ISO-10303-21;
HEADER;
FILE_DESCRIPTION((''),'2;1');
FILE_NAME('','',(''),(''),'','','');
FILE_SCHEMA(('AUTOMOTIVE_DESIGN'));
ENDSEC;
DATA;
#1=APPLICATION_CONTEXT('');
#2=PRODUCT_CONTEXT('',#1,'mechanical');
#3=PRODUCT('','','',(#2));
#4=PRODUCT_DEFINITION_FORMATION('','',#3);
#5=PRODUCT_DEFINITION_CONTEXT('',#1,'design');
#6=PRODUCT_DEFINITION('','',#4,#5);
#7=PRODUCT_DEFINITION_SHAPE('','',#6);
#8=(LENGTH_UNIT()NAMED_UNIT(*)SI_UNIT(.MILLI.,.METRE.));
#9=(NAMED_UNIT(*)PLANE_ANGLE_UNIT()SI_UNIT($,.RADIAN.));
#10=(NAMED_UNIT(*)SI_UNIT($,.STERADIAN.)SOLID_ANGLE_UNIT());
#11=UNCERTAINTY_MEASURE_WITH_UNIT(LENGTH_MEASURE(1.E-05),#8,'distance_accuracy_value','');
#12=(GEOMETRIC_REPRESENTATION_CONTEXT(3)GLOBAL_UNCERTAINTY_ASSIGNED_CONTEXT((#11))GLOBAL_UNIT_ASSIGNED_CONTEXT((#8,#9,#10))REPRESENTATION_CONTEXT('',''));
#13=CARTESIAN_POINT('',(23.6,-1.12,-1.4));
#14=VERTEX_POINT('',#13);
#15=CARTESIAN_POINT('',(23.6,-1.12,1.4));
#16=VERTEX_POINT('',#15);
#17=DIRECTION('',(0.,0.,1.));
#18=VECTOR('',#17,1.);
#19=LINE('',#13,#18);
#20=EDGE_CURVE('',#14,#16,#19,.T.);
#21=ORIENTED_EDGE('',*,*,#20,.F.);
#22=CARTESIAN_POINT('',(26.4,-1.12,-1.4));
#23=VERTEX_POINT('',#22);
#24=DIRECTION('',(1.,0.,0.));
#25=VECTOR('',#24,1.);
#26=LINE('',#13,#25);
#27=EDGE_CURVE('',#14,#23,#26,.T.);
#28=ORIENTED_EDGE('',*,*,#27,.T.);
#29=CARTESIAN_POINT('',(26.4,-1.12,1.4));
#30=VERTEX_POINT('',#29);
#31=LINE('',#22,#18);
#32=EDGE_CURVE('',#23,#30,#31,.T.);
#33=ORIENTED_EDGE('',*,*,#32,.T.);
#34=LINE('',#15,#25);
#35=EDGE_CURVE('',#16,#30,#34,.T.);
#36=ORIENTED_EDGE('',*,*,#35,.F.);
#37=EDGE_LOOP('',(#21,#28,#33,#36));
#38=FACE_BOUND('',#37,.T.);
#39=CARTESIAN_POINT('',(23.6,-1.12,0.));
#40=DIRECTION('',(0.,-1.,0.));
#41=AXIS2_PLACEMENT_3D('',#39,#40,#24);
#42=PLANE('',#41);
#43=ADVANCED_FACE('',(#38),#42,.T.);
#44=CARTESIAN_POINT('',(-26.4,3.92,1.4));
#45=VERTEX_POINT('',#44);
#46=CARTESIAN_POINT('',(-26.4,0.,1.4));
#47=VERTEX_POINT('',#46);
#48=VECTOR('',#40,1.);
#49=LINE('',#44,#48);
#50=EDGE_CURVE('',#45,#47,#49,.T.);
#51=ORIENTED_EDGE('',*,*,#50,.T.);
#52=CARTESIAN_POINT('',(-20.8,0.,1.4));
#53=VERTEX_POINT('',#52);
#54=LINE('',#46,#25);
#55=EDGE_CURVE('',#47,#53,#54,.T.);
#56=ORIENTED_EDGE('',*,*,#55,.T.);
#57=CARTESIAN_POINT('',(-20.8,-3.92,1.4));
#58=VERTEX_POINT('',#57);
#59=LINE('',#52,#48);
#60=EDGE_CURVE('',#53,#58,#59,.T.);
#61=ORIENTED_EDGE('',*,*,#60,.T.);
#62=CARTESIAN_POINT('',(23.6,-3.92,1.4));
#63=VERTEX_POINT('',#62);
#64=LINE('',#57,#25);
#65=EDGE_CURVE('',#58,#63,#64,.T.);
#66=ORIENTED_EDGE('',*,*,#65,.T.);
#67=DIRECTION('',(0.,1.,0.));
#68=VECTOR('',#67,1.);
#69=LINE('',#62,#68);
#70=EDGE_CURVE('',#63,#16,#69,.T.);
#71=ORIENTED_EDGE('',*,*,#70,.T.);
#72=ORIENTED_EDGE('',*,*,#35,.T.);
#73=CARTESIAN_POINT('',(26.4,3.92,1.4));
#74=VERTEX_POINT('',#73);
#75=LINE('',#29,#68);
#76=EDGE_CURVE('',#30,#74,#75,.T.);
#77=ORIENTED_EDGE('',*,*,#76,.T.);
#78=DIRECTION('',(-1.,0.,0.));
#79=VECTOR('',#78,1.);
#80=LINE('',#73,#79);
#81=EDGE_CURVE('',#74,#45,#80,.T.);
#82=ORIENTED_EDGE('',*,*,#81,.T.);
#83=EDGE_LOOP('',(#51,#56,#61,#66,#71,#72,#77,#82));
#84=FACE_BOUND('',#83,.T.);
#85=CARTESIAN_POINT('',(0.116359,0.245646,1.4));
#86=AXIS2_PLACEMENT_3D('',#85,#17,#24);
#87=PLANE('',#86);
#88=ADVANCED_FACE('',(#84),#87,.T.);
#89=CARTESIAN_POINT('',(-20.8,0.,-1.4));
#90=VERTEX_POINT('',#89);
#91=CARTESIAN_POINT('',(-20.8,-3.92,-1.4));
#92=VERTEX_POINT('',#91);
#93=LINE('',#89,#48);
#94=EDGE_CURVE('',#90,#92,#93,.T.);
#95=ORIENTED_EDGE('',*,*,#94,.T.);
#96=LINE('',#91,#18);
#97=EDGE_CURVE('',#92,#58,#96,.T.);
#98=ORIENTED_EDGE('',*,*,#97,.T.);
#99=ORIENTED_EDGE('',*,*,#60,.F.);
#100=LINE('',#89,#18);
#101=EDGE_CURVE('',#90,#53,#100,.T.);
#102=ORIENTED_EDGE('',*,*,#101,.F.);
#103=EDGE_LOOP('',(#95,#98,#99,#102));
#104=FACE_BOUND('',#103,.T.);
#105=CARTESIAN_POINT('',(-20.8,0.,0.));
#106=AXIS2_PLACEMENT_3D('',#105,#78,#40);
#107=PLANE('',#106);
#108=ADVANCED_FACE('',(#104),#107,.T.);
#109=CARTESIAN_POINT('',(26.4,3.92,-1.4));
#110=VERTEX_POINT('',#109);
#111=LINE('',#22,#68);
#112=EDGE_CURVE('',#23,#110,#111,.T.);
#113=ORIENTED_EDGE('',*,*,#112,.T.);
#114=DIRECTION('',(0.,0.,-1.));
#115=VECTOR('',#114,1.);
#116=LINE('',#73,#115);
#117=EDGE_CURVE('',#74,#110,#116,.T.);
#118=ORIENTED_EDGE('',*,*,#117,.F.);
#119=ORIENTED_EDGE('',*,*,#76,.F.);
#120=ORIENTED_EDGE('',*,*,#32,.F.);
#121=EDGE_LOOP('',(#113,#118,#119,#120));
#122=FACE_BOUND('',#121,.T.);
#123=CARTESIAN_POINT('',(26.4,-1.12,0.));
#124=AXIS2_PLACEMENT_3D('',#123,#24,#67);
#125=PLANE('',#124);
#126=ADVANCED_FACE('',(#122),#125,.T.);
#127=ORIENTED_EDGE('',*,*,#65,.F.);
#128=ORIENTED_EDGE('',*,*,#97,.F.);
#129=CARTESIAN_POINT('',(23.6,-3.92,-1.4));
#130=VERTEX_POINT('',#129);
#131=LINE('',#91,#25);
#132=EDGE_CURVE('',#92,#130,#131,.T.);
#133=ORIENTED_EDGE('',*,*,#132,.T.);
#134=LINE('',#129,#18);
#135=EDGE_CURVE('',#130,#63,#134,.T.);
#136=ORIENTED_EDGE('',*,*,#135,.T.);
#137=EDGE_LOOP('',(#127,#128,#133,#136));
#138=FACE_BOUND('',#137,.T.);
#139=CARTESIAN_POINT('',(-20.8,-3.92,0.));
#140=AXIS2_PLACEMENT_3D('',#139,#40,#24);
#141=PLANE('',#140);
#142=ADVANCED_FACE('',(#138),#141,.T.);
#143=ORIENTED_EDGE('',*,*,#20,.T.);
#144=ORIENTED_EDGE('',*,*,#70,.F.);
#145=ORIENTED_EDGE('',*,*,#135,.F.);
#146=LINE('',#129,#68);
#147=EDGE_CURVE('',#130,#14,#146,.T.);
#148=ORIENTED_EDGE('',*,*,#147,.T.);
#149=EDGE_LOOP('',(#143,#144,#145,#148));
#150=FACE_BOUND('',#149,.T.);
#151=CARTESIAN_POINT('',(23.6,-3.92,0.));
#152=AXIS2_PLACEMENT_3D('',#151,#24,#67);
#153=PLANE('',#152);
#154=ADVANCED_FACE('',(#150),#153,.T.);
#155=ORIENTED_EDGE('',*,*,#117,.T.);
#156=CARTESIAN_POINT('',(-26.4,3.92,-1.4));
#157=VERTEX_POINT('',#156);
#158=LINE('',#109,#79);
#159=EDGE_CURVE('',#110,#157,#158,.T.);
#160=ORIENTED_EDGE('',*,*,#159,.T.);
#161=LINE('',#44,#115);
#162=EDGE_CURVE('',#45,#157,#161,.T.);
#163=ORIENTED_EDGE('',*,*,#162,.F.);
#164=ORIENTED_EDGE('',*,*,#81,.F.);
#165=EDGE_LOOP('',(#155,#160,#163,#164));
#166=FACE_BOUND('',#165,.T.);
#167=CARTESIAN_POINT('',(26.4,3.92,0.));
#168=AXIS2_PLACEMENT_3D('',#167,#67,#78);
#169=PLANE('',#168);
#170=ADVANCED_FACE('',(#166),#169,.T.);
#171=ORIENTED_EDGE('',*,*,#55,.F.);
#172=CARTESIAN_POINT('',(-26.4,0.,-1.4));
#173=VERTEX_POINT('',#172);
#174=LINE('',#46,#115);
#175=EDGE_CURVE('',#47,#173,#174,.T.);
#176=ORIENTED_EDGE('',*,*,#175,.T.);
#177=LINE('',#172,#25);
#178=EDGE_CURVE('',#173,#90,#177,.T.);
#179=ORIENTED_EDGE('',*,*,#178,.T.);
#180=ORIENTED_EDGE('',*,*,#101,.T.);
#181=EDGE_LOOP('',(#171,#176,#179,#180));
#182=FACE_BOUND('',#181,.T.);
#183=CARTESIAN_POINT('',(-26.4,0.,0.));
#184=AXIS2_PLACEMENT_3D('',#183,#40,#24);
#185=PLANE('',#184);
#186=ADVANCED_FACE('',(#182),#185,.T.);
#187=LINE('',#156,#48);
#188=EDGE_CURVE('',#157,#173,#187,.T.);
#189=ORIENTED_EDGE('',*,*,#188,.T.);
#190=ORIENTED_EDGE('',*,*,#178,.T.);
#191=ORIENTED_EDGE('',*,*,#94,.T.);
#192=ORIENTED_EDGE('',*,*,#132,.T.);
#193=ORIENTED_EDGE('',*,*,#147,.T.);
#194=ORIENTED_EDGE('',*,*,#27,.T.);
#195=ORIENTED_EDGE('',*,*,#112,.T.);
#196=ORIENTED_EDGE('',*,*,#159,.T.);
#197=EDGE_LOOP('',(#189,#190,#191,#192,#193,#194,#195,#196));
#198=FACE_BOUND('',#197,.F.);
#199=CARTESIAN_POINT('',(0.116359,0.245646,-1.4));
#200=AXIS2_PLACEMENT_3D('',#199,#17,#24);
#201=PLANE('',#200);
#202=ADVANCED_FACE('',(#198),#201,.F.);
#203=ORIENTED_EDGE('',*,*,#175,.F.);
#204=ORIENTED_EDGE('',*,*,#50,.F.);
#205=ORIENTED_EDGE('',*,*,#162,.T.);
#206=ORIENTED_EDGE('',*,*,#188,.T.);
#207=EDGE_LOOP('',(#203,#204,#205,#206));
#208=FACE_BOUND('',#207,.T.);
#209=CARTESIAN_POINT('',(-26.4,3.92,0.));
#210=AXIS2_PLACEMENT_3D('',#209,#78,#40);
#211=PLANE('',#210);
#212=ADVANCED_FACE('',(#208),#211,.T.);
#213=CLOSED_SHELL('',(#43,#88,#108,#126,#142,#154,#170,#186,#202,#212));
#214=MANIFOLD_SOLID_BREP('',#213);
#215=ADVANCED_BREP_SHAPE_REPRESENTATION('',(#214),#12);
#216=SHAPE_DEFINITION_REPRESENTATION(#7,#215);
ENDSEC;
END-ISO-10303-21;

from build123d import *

# Parameters (mm, degrees)
EXTRUDE_1_DEPTH = 1.4


with BuildPart() as part:
    # Эскиз1 → Бобышка-Вытянуть1 (new, symmetric)
    with BuildSketch(Plane.XY):
        Polygon((-26.4, 0), (-20.8, 0), (-20.8, -3.92), (23.6, -3.92), (23.6, -1.12), (26.4, -1.12), (26.4, 3.92), (-26.4, 3.92), align=None)
    extrude(amount=EXTRUDE_1_DEPTH, both=True)


solid = part.part
